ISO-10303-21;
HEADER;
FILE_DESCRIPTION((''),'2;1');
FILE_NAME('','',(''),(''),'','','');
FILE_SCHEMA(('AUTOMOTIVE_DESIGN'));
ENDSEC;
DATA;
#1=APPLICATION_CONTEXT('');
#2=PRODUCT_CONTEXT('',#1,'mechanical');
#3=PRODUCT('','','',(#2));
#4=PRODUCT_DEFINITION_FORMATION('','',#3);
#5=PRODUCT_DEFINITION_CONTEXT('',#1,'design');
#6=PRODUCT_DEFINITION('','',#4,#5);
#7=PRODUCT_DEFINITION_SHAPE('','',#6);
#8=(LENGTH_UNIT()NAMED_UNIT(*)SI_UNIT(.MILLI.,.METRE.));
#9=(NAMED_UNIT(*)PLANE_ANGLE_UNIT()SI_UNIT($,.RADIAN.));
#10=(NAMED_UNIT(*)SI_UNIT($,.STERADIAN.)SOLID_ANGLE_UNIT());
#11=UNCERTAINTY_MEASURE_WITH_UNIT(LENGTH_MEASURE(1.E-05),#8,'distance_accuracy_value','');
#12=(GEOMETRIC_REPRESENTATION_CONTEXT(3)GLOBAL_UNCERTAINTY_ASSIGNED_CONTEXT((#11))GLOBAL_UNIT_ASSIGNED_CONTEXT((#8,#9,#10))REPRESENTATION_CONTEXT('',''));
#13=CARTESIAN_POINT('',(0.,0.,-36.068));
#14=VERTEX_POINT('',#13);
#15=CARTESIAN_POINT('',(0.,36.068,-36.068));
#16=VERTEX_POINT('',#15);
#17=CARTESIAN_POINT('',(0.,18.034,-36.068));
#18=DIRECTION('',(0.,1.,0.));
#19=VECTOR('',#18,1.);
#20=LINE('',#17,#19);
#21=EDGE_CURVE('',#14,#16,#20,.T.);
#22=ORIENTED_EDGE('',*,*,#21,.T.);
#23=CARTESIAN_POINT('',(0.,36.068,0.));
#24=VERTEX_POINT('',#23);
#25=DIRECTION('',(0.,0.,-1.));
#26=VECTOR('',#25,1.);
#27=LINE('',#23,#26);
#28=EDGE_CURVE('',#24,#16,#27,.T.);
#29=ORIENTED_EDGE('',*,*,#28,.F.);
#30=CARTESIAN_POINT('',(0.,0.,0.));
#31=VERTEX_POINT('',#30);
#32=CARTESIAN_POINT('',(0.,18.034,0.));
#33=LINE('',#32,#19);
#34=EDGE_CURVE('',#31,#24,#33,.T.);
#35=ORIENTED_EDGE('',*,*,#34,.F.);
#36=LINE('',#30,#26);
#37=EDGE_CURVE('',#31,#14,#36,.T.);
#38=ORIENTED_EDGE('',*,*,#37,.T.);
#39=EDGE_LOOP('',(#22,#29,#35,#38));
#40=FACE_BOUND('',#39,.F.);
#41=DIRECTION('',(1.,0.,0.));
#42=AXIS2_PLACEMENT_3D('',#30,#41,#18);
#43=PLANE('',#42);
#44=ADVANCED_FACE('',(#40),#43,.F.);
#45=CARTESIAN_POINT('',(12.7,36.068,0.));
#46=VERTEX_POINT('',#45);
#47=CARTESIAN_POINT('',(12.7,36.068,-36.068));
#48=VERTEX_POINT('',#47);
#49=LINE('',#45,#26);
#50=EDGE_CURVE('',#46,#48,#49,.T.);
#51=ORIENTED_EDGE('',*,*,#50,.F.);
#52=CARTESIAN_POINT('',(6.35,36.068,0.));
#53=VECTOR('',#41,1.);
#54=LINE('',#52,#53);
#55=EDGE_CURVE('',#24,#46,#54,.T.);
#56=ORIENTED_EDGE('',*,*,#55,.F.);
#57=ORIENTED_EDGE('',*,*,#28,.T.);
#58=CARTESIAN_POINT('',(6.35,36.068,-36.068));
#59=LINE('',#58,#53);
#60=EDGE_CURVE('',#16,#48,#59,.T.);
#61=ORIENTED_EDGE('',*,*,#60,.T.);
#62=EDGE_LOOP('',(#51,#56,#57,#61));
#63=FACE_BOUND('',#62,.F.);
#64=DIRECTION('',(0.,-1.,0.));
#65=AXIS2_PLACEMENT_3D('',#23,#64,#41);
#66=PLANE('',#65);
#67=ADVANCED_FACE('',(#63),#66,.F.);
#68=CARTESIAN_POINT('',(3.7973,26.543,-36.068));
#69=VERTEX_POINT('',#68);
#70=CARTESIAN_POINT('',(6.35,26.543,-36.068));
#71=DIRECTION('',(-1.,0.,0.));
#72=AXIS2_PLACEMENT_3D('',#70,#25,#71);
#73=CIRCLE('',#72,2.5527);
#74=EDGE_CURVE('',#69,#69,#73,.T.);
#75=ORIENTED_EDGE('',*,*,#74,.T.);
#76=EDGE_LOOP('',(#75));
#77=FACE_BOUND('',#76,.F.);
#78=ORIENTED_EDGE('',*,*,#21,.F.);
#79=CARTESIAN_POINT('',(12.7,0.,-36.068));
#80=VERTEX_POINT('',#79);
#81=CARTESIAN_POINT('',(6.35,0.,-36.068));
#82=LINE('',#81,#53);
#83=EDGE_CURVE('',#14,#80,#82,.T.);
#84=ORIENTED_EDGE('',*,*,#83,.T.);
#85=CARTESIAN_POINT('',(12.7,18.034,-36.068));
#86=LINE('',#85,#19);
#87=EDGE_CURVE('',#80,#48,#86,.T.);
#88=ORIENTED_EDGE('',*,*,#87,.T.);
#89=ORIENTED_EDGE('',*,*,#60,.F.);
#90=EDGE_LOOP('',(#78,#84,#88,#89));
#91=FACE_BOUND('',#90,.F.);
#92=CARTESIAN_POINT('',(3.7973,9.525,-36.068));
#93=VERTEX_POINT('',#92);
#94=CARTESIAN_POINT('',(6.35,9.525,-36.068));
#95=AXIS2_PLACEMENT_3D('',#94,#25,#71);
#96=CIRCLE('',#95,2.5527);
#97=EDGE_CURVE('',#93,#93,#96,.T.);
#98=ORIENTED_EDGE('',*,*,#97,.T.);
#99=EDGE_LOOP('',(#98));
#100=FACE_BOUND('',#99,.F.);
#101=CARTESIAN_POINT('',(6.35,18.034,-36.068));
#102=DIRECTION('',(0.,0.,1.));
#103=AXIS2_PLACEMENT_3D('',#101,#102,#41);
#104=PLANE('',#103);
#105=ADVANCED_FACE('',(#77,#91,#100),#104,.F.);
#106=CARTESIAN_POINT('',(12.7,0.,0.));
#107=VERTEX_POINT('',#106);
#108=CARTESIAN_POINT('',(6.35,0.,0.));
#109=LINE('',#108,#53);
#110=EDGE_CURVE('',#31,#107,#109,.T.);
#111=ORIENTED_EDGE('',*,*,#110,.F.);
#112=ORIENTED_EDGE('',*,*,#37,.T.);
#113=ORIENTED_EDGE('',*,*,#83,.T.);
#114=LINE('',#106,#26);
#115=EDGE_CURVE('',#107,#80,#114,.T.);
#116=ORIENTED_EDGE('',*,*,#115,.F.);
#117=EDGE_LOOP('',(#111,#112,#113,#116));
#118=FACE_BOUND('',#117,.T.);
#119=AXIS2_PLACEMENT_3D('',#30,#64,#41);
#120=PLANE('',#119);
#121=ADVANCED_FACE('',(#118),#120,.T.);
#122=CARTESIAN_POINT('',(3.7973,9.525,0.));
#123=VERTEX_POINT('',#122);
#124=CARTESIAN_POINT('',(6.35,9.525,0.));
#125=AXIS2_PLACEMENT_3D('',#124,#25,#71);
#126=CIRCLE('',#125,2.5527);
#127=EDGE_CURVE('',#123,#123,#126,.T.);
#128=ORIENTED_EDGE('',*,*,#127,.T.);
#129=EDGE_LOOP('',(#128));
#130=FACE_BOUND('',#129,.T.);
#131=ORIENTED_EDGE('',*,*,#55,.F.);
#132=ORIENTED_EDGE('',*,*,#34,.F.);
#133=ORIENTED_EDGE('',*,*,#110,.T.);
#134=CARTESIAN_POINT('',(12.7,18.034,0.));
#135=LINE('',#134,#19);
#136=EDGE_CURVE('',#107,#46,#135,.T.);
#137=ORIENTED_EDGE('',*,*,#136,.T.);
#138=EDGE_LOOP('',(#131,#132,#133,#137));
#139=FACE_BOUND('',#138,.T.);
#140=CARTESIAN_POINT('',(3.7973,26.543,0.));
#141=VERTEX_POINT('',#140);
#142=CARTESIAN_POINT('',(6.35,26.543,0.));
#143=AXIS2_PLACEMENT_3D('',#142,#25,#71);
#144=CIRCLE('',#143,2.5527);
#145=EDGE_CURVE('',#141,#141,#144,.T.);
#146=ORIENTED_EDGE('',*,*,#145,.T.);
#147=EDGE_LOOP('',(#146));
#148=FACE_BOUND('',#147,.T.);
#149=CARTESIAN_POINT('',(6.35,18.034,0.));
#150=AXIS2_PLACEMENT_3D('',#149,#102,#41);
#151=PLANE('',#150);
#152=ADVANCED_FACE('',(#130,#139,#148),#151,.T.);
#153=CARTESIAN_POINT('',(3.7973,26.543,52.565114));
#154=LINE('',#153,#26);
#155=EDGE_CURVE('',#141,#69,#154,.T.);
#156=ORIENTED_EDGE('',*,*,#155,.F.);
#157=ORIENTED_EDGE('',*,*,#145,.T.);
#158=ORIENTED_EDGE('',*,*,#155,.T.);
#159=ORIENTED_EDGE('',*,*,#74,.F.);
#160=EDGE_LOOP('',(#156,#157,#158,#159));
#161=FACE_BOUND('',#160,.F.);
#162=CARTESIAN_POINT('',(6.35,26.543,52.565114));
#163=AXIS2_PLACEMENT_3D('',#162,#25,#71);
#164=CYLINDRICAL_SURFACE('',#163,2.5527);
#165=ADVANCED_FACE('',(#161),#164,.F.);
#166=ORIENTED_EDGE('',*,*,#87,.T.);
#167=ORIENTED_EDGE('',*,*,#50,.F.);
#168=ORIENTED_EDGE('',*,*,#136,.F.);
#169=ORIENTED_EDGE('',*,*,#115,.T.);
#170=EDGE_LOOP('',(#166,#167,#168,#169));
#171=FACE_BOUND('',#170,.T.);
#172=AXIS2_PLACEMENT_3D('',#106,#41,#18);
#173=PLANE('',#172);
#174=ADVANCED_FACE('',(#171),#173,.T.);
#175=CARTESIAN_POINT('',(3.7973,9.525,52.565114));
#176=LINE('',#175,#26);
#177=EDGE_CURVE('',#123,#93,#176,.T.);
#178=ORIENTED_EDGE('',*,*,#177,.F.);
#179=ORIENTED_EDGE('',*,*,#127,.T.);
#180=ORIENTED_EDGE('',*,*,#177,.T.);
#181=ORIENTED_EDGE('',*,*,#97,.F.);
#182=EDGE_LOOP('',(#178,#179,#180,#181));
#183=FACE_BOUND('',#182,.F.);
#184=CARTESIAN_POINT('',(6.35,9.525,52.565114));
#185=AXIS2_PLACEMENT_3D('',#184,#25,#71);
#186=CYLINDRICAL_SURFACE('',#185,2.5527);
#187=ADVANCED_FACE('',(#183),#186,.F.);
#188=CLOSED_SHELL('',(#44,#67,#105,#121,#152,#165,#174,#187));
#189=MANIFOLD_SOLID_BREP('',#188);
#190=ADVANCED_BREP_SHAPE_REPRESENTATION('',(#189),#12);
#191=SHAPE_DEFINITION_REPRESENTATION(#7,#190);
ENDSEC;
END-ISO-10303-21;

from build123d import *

# Parameters (mm, degrees)
F0_W     = 12.7
F0_H     = 36.068
F1_DEPTH = 36.068
F3_D     = 5.1054


with BuildPart() as f1:
    # F0 (on Top) → F1 (new body)
    with BuildSketch(Plane.XY):
        with Locations((6.35, 18.034)):
            Rectangle(F0_W, F0_H)
    extrude(amount=-F1_DEPTH)

    # F3 (through all)
    with Locations(Plane.XY):
        with Locations((6.35, 9.525), (6.35, 26.543)):
            Hole(F3_D / 2)


solid = f1.part
